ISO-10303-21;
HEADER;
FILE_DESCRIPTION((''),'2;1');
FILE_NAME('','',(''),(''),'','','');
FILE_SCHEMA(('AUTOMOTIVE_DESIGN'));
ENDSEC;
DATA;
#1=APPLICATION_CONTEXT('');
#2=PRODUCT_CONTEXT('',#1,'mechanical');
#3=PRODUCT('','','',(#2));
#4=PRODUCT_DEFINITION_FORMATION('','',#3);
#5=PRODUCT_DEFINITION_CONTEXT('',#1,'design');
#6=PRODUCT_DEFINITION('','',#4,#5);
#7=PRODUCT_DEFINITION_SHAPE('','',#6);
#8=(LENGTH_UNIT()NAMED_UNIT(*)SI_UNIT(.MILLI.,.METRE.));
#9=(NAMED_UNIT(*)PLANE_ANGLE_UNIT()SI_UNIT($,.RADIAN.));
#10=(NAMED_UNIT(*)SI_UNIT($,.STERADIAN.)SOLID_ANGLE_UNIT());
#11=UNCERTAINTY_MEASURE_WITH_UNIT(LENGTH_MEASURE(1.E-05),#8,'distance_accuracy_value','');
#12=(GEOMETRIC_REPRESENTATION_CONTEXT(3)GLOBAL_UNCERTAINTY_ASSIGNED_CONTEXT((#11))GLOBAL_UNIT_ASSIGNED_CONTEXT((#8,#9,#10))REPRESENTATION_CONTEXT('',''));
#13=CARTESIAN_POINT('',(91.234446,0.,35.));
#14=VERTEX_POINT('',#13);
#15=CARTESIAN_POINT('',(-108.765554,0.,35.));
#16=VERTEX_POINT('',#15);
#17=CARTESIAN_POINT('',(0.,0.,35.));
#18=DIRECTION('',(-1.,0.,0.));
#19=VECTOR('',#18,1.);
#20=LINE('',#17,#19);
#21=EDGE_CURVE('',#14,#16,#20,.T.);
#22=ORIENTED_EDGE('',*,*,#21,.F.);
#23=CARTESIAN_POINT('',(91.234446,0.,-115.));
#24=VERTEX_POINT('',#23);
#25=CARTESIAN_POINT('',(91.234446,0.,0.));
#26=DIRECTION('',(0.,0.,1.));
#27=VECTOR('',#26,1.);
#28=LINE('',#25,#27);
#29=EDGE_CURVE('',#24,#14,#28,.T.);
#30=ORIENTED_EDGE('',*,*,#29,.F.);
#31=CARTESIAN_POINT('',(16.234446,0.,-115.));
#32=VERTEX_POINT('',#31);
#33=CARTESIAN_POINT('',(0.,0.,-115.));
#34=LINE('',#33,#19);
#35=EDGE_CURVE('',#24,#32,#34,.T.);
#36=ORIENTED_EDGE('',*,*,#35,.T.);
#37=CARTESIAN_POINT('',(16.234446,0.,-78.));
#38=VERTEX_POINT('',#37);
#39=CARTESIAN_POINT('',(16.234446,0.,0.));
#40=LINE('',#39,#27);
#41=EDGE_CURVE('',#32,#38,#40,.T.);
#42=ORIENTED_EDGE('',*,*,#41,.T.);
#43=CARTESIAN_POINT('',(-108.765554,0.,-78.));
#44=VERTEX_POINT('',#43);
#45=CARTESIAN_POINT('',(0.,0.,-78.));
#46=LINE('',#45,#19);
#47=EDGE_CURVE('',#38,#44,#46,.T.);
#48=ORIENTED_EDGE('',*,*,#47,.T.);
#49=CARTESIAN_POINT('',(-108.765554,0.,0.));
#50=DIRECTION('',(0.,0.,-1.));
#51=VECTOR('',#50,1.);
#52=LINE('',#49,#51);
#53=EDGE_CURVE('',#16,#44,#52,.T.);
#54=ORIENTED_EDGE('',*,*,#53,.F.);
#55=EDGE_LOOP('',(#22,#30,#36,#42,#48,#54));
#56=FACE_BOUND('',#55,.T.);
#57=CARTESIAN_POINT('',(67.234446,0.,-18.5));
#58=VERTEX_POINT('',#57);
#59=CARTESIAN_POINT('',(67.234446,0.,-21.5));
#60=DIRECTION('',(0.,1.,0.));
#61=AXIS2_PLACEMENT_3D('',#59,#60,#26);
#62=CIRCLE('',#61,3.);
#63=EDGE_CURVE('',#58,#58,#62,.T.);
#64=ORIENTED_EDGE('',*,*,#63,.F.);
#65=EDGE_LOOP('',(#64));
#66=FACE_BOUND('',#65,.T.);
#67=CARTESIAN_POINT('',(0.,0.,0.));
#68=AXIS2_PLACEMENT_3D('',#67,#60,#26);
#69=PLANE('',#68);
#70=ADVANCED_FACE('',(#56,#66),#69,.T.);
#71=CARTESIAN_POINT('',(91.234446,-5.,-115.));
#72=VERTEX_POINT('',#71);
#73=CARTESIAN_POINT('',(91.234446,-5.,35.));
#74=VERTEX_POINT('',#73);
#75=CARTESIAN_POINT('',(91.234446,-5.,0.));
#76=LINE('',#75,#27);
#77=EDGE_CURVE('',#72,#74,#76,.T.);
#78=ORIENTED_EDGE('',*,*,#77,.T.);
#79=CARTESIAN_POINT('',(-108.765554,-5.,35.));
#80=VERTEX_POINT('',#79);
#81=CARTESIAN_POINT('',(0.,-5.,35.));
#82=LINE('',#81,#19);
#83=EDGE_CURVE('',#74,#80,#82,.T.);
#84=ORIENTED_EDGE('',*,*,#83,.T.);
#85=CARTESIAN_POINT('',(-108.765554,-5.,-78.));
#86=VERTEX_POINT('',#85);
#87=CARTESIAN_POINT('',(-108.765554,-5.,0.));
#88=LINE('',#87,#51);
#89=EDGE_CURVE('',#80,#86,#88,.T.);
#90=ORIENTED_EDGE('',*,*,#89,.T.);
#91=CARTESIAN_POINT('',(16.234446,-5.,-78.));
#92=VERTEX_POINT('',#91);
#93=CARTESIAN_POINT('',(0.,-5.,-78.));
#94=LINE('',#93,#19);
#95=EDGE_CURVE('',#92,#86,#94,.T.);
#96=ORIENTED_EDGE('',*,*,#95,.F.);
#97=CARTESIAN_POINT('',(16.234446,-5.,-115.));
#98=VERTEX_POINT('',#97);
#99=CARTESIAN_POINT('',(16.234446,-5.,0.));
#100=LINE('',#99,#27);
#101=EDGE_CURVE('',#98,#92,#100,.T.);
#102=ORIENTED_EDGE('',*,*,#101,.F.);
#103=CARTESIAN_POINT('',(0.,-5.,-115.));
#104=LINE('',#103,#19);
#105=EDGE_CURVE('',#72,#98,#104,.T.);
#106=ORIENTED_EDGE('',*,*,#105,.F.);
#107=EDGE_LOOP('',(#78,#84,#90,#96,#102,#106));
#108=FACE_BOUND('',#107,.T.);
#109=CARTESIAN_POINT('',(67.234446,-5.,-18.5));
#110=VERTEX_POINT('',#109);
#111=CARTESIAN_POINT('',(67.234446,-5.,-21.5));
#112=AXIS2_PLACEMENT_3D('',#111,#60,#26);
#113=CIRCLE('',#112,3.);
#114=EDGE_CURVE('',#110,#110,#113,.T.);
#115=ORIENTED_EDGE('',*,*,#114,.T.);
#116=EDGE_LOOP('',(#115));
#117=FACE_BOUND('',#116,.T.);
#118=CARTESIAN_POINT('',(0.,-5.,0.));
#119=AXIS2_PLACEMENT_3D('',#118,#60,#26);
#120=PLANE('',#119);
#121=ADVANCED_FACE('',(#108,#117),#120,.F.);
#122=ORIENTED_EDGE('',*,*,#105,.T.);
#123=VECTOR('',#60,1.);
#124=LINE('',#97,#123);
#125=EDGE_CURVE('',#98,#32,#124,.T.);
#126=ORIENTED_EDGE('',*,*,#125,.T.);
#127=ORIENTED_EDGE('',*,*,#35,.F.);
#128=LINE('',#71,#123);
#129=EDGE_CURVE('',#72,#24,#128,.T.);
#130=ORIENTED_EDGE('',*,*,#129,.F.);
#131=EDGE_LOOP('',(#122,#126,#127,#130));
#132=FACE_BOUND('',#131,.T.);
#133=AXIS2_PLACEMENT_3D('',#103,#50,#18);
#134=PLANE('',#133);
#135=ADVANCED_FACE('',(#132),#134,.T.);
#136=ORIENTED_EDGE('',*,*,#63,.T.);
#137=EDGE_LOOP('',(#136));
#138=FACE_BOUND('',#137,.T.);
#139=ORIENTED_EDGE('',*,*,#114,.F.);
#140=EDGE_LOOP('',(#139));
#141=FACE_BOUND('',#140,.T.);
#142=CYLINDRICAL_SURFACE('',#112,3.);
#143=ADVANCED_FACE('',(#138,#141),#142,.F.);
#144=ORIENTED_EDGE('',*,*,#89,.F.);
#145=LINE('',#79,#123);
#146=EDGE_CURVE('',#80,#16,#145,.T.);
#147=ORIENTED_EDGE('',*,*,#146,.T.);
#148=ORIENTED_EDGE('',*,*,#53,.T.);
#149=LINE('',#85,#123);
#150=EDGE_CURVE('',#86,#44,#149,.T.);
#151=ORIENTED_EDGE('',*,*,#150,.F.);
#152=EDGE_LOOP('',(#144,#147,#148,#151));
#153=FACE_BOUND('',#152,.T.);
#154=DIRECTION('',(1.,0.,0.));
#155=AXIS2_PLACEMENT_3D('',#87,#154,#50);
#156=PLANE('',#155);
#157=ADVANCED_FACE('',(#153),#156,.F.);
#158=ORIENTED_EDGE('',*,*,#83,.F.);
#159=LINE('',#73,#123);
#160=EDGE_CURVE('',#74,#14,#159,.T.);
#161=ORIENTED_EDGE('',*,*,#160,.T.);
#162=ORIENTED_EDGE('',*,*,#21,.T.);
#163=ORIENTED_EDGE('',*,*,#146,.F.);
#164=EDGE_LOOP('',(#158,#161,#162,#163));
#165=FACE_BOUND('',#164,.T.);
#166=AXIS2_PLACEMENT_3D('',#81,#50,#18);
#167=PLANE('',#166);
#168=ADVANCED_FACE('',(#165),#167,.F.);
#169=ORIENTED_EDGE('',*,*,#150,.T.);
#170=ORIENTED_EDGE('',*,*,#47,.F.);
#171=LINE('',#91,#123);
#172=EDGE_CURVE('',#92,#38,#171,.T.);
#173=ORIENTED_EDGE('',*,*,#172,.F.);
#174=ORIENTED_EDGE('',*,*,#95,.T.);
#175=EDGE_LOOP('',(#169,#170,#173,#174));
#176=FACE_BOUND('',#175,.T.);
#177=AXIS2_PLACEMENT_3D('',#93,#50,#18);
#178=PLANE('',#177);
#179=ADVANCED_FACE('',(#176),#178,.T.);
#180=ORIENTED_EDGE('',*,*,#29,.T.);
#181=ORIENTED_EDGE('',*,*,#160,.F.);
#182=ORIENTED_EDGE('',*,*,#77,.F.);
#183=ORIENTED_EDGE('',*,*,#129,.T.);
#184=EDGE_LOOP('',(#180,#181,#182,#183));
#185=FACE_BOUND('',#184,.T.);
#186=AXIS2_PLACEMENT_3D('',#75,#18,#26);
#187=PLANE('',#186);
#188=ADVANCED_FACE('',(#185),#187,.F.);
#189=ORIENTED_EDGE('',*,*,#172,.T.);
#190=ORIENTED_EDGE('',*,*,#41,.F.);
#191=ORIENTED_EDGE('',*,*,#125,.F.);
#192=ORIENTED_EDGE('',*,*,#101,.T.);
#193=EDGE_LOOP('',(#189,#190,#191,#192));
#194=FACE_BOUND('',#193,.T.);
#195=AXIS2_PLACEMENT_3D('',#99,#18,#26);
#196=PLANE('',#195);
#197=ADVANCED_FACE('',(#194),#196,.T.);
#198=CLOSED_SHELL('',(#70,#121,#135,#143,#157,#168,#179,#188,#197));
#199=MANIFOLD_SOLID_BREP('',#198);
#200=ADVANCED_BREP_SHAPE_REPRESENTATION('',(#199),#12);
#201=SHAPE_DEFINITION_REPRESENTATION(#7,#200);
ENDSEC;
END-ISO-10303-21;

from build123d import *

# Parameters (mm, degrees)
SZKIC1_W                    = 200
SZKIC1_H                    = 5
SZKIC1_W_2                  = 46
SZKIC1_H_2                  = 37
SZKIC1_W_3                  = 24
SZKIC1_W_4                  = 125
DODANIE_WYCI_GNI_CIE1_DEPTH = 5


with BuildPart() as part:
    # Szkic1 → Dodanie-wyciągnięcie1 (new body)
    with BuildSketch(Plane(origin=(0, 0, 0), x_dir=(1, 0, 0), z_dir=(0, 1, 0))):
        with Locations((-8.765553919, -32.5)):
            Rectangle(SZKIC1_W, SZKIC1_H)
        with Locations((44.234446081, 91.5)):
            Rectangle(SZKIC1_W_2, SZKIC1_H_2)
        with Locations((79.234446081, 91.5)):
            Rectangle(SZKIC1_W_3, SZKIC1_H_2)
        with Locations((-46.265553919, 75.5)):
            Rectangle(SZKIC1_W_4, SZKIC1_H)
        Polygon((16.234446081, 73), (21.234446081, 73), (21.234446081, 110), (21.234446081, 115), (16.234446081, 115), (16.234446081, 78), align=None)
        Polygon((67.234446081, 110), (91.234446081, 110), (91.234446081, 115), (21.234446081, 115), (21.234446081, 110), align=None)
        with BuildLine():
            Line((91.234446081, -30), (91.234446081, 21.5))
            Line((91.234446081, 21.5), (70.234446081, 21.5))
            ThreePointArc((70.234446081, 21.5), (65.113125737, 19.378679656), (67.234446081, 24.5))
            Line((67.234446081, 24.5), (67.234446081, 73))
            Line((67.234446081, 73), (21.234446081, 73))
            Line((21.234446081, 73), (16.234446081, 73))
            Line((16.234446081, 73), (-108.765553919, 73))
            Line((-108.765553919, 73), (-108.765553919, -30))
            Line((-108.765553919, -30), (91.234446081, -30))
        make_face()
        with BuildLine():
            Line((70.234446081, 21.5), (91.234446081, 21.5))
            Line((91.234446081, 21.5), (91.234446081, 73))
            Line((91.234446081, 73), (67.234446081, 73))
            Line((67.234446081, 73), (67.234446081, 24.5))
            ThreePointArc((67.234446081, 24.5), (69.355766424, 23.621320344), (70.234446081, 21.5))
        make_face()
    extrude(amount=-DODANIE_WYCI_GNI_CIE1_DEPTH)


solid = part.part
